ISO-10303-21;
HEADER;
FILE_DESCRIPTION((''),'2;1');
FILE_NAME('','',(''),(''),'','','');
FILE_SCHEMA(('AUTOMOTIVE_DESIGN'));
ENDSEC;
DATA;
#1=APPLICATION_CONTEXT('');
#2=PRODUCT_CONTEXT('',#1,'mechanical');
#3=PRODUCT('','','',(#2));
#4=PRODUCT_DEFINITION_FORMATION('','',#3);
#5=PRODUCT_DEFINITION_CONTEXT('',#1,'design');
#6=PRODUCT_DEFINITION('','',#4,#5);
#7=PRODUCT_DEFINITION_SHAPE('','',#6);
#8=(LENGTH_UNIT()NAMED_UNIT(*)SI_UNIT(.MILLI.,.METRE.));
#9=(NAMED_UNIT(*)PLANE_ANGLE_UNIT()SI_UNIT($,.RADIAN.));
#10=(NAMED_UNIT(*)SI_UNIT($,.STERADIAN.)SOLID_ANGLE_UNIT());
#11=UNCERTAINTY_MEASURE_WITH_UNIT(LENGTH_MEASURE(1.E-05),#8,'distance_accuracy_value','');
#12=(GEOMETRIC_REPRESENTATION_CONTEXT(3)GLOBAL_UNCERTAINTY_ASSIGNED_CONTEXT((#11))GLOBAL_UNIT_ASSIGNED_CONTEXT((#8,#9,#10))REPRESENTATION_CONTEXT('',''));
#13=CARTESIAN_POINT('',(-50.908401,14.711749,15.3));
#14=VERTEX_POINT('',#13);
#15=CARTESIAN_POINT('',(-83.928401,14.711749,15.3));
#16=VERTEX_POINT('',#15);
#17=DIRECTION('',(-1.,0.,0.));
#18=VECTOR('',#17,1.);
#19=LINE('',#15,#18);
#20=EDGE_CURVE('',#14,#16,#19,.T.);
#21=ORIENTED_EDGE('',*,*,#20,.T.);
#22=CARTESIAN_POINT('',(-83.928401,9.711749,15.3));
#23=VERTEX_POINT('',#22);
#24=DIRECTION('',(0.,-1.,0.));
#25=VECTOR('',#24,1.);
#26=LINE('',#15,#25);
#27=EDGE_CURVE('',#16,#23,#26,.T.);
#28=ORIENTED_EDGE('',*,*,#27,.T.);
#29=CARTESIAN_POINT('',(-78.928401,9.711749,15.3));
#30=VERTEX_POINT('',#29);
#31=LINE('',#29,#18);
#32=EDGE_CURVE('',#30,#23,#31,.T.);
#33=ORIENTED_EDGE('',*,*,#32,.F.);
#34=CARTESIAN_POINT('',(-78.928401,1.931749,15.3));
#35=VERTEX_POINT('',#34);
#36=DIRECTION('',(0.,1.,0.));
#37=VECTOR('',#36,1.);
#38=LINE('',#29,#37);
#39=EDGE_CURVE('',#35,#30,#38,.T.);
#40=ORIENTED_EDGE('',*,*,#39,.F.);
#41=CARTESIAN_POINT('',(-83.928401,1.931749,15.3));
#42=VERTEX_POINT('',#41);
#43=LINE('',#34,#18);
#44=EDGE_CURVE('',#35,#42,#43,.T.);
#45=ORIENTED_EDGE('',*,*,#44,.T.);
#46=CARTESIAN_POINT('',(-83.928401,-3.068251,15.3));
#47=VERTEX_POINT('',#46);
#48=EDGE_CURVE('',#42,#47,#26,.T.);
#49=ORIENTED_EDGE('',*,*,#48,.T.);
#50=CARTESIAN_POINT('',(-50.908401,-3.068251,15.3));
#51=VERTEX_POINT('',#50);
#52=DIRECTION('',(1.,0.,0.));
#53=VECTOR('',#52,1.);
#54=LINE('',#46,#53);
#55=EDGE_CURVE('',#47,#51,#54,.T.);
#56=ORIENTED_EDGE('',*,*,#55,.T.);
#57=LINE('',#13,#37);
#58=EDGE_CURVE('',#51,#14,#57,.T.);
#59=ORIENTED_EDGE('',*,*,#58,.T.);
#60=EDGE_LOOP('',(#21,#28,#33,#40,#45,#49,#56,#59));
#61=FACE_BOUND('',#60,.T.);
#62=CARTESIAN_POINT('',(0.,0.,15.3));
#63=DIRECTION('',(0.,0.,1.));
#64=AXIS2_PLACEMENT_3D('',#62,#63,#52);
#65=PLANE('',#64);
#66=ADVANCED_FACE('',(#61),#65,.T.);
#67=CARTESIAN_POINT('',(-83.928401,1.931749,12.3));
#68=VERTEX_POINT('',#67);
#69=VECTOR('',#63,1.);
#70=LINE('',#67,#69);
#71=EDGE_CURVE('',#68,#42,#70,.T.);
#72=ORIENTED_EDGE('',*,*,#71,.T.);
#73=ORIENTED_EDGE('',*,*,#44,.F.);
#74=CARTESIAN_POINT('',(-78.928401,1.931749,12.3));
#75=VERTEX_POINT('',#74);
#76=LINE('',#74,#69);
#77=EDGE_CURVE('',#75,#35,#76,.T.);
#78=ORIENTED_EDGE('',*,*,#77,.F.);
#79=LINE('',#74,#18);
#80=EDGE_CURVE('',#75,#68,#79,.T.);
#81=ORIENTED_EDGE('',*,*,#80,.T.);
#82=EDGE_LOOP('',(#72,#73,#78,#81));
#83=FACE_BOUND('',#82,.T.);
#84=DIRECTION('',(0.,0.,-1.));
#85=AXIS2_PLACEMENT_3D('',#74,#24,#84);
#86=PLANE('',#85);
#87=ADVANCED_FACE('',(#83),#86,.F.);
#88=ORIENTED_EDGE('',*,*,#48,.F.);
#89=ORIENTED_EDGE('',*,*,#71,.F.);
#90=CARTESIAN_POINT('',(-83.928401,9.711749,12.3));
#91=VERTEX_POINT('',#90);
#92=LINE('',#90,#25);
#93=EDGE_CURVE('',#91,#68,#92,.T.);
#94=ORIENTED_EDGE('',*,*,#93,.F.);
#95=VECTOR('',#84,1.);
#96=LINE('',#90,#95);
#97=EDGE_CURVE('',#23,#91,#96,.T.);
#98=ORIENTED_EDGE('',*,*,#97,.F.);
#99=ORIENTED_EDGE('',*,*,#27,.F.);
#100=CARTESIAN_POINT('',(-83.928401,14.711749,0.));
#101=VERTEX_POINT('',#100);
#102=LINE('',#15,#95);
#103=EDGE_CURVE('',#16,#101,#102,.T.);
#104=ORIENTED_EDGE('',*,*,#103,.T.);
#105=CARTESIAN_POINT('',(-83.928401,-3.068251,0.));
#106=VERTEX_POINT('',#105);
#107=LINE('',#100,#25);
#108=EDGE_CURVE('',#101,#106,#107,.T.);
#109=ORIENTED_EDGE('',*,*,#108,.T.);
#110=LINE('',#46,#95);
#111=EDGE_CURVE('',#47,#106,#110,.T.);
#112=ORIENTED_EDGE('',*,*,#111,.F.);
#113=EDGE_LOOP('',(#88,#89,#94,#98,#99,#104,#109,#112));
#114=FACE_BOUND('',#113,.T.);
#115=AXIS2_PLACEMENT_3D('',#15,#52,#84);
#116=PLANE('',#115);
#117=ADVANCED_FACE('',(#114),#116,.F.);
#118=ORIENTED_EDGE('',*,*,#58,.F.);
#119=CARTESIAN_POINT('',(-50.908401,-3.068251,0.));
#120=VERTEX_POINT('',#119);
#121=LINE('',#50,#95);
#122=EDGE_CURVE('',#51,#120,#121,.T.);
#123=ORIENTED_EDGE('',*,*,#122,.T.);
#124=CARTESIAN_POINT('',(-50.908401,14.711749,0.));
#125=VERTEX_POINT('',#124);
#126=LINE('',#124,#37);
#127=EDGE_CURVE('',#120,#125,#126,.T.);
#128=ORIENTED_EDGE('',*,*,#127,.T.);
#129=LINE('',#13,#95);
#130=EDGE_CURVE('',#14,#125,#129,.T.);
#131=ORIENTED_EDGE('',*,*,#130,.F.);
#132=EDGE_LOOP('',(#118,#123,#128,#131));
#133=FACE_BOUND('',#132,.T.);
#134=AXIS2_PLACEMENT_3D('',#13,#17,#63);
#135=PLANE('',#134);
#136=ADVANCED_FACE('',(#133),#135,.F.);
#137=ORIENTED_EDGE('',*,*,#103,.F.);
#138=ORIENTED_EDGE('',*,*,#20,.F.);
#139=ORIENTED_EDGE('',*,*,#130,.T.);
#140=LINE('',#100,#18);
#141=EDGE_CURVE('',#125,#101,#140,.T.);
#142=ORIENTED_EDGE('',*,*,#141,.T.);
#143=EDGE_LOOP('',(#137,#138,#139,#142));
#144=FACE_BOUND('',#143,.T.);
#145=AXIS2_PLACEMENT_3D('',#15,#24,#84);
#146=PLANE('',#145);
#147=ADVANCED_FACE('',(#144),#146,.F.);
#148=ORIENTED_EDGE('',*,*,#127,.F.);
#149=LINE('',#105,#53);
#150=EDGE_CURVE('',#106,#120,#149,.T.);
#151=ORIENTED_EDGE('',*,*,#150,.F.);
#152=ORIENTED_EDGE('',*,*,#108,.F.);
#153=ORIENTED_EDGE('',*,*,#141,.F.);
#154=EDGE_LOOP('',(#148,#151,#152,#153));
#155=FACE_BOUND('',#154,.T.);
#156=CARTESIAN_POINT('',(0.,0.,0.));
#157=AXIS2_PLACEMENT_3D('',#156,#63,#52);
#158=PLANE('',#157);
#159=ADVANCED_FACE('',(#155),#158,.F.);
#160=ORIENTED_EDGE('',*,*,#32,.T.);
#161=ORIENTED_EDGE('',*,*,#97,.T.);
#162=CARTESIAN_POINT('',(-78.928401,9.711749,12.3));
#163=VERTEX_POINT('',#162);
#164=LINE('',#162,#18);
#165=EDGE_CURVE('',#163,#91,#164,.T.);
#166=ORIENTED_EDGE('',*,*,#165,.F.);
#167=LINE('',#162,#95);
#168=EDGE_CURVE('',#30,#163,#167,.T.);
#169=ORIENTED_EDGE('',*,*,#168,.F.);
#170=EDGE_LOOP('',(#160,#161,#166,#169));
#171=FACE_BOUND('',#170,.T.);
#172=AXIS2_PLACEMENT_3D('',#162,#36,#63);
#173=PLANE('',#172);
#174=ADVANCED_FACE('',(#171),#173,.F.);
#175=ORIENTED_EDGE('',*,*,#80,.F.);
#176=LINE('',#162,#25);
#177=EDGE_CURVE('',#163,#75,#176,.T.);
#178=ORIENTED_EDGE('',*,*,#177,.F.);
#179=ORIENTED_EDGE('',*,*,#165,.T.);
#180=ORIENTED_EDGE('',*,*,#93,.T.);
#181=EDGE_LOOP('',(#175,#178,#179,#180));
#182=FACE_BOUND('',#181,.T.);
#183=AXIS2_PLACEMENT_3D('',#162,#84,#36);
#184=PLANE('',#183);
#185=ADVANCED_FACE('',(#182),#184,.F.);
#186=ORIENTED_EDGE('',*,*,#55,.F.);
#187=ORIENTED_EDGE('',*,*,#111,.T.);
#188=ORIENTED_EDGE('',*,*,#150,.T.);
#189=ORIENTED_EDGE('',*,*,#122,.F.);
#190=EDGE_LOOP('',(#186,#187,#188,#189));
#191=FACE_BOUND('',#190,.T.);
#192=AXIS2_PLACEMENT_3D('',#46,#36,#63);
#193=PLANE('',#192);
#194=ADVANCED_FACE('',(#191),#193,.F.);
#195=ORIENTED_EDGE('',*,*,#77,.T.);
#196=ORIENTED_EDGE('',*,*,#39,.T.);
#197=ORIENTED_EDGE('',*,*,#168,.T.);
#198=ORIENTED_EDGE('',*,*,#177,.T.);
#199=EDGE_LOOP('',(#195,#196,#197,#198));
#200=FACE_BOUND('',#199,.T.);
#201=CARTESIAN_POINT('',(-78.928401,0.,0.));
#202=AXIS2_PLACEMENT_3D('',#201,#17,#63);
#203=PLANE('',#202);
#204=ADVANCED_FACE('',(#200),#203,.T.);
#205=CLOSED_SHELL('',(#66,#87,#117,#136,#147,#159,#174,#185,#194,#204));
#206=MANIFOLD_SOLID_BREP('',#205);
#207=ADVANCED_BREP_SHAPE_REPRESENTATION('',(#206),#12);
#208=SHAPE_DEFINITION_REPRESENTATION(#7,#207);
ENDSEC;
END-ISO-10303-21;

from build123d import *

# Parameters (mm, degrees)
SKETCH1_W           = 33.02
SKETCH1_H           = 17.78
BOSS_EXTRUDE1_DEPTH = 15.3
SKETCH2_W           = 3
SKETCH2_H           = 7.78
CUT_EXTRUDE1_DEPTH  = 5


with BuildPart() as part:
    # Sketch1 → Boss-Extrude1 (new body)
    with BuildSketch(Plane.XY):
        with Locations((-67.418401437, 5.821748731)):
            Rectangle(SKETCH1_W, SKETCH1_H)
    extrude(amount=BOSS_EXTRUDE1_DEPTH)

    # Sketch2 → Cut-Extrude1 (cut)
    with BuildSketch(Plane.ZY.offset(83.928401437)):
        with Locations((13.8, 5.821748731)):
            Rectangle(SKETCH2_W, SKETCH2_H)
    extrude(amount=-CUT_EXTRUDE1_DEPTH, mode=Mode.SUBTRACT)


solid = part.part
